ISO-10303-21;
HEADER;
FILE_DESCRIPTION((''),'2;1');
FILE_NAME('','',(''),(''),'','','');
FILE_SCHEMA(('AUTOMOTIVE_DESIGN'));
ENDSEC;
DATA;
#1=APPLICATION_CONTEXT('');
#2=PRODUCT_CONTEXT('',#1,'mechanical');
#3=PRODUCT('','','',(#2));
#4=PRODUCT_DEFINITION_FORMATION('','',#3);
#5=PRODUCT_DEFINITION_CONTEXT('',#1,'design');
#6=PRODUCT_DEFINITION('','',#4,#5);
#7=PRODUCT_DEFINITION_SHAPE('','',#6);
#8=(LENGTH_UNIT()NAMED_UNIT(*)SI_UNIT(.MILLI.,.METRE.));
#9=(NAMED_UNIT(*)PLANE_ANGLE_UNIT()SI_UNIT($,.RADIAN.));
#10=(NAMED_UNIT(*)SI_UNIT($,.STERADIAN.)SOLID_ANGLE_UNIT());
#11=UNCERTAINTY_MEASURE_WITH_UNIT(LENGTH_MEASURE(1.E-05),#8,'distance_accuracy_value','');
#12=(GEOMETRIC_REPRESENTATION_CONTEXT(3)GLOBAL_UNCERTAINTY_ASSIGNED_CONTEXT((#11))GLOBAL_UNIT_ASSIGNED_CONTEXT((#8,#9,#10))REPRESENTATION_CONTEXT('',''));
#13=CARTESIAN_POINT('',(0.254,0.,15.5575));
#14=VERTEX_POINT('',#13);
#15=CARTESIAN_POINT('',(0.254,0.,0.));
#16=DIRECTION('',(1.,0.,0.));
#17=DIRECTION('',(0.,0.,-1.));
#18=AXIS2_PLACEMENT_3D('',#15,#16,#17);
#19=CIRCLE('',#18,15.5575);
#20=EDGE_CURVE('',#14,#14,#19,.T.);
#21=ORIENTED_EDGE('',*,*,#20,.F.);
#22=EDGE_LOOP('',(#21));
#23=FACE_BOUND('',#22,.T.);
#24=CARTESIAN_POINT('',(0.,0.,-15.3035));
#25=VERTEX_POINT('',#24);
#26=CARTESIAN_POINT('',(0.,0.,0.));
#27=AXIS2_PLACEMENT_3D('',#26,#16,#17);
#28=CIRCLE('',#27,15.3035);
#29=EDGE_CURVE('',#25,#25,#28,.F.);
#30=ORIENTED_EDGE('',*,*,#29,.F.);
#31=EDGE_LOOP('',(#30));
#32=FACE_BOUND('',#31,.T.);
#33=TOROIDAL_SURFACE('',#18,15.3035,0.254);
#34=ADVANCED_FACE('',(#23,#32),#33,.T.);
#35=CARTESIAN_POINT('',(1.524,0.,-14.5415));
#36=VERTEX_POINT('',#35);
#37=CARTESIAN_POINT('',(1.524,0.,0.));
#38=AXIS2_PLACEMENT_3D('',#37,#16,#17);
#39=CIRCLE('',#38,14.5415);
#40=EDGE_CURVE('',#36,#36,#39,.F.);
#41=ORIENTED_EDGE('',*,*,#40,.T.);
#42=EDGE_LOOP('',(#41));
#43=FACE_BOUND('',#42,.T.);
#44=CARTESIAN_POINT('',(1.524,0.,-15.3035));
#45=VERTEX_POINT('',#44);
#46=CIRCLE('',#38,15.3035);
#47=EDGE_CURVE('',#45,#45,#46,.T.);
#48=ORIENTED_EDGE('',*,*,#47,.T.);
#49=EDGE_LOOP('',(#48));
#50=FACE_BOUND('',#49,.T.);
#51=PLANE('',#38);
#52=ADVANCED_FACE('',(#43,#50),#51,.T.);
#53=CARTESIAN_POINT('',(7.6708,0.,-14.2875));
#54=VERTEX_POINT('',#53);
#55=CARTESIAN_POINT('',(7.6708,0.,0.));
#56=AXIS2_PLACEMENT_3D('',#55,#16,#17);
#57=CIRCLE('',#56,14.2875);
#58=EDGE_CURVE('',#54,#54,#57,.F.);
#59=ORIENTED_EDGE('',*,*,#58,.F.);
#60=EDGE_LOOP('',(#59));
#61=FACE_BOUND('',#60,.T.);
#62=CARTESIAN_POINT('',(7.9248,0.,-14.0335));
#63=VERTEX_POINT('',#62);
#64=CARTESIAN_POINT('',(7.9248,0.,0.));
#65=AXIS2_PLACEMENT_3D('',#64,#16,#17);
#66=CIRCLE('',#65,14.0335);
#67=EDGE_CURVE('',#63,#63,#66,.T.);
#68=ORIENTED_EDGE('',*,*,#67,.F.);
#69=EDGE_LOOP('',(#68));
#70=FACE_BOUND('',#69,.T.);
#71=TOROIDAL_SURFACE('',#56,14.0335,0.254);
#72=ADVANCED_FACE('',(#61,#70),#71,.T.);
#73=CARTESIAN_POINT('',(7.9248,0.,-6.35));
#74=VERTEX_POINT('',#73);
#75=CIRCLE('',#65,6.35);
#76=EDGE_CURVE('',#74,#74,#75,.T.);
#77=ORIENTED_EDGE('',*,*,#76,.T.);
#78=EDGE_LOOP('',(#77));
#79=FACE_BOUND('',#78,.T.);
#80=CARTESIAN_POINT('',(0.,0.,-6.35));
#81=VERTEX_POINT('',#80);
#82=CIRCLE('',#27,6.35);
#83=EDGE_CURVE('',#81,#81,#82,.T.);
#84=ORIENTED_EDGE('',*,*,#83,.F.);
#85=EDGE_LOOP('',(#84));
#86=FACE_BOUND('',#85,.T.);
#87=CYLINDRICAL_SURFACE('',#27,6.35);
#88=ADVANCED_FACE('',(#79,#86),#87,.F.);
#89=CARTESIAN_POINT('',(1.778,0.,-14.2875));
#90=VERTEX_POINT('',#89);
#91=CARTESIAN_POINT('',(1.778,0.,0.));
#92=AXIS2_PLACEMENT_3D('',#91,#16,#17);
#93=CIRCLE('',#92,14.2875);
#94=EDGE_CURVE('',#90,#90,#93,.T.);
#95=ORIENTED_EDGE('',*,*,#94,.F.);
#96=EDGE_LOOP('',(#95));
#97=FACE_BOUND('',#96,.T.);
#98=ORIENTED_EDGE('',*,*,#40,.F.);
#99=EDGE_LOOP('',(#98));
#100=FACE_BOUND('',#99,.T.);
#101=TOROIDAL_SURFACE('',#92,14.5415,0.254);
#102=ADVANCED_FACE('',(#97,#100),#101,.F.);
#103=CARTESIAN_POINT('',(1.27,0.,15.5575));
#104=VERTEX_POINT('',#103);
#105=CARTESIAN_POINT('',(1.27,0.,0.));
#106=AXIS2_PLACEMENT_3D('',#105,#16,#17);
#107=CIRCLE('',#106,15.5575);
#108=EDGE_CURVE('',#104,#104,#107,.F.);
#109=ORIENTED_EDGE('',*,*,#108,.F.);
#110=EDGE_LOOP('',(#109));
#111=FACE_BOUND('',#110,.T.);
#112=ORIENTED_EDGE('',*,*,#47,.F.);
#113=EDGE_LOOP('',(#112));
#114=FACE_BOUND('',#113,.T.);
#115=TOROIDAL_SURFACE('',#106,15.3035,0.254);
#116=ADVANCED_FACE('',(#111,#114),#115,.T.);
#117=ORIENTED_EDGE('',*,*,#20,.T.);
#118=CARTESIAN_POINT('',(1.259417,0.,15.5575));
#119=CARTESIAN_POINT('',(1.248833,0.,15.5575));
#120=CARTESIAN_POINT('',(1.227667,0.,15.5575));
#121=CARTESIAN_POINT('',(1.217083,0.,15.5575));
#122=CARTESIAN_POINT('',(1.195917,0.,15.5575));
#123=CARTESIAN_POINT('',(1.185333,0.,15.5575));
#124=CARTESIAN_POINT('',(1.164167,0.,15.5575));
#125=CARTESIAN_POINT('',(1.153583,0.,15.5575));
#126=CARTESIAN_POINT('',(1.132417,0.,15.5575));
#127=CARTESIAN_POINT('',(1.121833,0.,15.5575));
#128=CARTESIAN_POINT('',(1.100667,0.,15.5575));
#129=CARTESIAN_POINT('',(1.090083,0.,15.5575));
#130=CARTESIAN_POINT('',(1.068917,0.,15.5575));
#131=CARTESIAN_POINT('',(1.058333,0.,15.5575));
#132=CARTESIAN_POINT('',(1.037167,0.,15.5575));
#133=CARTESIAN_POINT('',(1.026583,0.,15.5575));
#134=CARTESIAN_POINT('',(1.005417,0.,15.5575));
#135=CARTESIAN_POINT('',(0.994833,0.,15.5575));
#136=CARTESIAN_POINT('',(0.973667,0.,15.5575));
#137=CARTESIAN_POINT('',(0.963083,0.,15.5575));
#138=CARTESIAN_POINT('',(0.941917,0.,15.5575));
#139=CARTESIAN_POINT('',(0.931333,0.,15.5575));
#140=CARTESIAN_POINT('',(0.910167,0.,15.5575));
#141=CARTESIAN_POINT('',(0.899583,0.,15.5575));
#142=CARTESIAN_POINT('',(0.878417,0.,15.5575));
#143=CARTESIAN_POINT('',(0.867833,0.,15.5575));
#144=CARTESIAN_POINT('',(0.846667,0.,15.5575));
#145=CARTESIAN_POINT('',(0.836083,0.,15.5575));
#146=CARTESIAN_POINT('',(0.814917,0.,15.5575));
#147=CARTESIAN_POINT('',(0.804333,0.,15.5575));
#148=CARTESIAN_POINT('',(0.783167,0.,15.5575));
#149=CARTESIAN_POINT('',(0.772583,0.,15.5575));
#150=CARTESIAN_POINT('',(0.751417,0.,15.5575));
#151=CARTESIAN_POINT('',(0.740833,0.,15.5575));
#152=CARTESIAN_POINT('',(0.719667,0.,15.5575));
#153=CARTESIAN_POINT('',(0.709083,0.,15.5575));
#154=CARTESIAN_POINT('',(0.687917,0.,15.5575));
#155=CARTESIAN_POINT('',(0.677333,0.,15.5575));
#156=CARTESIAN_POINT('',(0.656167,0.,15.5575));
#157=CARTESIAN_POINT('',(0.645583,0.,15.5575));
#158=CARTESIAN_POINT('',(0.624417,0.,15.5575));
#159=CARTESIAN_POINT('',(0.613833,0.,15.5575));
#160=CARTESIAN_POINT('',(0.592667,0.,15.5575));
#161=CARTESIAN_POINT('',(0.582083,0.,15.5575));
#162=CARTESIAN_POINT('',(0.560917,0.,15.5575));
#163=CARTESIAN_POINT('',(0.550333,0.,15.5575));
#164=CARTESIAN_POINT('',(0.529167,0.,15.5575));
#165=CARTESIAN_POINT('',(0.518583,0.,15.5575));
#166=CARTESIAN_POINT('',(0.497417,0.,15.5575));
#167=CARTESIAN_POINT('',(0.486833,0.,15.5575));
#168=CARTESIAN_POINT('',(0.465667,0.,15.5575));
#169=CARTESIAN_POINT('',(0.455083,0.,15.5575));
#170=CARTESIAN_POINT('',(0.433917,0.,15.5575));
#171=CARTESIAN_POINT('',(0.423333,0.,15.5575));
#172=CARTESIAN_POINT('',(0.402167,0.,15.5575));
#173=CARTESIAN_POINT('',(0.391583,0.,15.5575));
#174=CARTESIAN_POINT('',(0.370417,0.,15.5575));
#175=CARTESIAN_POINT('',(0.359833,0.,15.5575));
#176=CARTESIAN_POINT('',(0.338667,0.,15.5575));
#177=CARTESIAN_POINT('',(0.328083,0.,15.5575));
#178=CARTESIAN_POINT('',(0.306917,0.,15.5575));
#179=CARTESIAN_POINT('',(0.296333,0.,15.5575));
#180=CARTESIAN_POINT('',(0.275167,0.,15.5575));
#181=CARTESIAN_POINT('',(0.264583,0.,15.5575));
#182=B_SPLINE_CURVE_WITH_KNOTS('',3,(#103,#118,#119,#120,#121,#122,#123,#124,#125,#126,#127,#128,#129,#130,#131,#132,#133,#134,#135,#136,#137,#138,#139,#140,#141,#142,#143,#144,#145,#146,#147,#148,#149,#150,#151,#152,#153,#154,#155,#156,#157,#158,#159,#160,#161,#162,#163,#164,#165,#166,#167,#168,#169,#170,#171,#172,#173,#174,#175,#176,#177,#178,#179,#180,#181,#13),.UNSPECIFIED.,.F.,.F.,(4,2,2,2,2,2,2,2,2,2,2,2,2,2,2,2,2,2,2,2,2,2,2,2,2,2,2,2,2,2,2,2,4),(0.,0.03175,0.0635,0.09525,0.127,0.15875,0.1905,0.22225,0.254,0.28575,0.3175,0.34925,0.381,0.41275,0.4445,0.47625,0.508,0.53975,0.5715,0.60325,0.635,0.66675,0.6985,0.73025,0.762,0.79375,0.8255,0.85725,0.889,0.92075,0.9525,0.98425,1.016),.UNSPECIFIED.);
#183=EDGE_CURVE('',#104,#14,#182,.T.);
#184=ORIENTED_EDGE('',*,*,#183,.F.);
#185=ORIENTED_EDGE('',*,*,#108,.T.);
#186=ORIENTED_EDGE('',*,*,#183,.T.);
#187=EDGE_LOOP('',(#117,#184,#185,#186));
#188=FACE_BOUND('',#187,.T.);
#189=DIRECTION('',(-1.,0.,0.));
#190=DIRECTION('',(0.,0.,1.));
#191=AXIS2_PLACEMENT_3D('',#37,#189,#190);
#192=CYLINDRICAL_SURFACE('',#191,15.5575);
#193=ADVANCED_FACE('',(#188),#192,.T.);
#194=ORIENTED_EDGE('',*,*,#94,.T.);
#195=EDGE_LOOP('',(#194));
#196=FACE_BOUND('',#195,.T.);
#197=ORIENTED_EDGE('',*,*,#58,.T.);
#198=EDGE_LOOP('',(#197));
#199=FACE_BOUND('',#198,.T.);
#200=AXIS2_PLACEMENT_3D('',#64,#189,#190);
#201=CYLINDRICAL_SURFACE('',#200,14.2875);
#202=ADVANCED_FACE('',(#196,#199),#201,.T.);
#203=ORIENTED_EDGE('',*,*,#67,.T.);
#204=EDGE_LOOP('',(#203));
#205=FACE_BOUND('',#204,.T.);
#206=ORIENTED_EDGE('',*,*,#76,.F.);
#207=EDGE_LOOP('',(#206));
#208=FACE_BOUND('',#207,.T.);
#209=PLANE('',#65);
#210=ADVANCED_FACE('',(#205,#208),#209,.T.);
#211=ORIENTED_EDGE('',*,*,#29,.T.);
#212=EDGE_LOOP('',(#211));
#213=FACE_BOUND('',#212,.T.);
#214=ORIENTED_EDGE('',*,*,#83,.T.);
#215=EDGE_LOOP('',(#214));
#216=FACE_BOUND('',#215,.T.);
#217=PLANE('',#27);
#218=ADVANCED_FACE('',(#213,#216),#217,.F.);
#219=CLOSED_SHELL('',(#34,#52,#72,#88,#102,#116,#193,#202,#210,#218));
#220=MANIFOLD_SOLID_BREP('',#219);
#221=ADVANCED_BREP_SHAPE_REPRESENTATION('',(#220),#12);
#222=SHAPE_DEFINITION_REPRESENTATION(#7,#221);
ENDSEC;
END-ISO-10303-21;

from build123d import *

# Parameters (mm, degrees)
SKETCH1_R           = 15.5575
BOSS_EXTRUDE1_DEPTH = 1.524
SKETCH2_R           = 14.2875
BOSS_EXTRUDE2_DEPTH = 6.4008
SKETCH3_R           = 6.35
CUT_EXTRUDE1_DEPTH  = 24.38533873
FILLET1_R           = 0.254


with BuildPart() as part:
    # Sketch1 → Boss-Extrude1 (new body)
    with BuildSketch(Plane(origin=(0, 0, 0), x_dir=(0, 0, -1), z_dir=(1, 0, 0))):
        with Locations(Location((0, 0, 0), (0, 0, 180))):
            Circle(SKETCH1_R)
    extrude(amount=BOSS_EXTRUDE1_DEPTH)

    # Sketch2 → Boss-Extrude2 (add)
    with BuildSketch(Plane(origin=(1.524, 0, 0), x_dir=(0, 0, -1), z_dir=(1, 0, 0))):
        Circle(SKETCH2_R)
    extrude(amount=BOSS_EXTRUDE2_DEPTH)

    # Sketch3 → Cut-Extrude1 (cut, through all)
    with BuildSketch(Plane(origin=(7.9248, 0, 0), x_dir=(0, 0, -1), z_dir=(1, 0, 0))):
        Circle(SKETCH3_R)
    extrude(amount=-CUT_EXTRUDE1_DEPTH, mode=Mode.SUBTRACT)

    # Fillet1
    fillet1_edges = [part.edges().sort_by_distance(p)[0] for p in [
        (0, 0, -15.5575),
        (1.524, 0, -15.5575),
        (1.524, 0, 14.2875),
        (7.9248, 0, 14.2875),
    ]]
    fillet(fillet1_edges, radius=FILLET1_R)


solid = part.part
